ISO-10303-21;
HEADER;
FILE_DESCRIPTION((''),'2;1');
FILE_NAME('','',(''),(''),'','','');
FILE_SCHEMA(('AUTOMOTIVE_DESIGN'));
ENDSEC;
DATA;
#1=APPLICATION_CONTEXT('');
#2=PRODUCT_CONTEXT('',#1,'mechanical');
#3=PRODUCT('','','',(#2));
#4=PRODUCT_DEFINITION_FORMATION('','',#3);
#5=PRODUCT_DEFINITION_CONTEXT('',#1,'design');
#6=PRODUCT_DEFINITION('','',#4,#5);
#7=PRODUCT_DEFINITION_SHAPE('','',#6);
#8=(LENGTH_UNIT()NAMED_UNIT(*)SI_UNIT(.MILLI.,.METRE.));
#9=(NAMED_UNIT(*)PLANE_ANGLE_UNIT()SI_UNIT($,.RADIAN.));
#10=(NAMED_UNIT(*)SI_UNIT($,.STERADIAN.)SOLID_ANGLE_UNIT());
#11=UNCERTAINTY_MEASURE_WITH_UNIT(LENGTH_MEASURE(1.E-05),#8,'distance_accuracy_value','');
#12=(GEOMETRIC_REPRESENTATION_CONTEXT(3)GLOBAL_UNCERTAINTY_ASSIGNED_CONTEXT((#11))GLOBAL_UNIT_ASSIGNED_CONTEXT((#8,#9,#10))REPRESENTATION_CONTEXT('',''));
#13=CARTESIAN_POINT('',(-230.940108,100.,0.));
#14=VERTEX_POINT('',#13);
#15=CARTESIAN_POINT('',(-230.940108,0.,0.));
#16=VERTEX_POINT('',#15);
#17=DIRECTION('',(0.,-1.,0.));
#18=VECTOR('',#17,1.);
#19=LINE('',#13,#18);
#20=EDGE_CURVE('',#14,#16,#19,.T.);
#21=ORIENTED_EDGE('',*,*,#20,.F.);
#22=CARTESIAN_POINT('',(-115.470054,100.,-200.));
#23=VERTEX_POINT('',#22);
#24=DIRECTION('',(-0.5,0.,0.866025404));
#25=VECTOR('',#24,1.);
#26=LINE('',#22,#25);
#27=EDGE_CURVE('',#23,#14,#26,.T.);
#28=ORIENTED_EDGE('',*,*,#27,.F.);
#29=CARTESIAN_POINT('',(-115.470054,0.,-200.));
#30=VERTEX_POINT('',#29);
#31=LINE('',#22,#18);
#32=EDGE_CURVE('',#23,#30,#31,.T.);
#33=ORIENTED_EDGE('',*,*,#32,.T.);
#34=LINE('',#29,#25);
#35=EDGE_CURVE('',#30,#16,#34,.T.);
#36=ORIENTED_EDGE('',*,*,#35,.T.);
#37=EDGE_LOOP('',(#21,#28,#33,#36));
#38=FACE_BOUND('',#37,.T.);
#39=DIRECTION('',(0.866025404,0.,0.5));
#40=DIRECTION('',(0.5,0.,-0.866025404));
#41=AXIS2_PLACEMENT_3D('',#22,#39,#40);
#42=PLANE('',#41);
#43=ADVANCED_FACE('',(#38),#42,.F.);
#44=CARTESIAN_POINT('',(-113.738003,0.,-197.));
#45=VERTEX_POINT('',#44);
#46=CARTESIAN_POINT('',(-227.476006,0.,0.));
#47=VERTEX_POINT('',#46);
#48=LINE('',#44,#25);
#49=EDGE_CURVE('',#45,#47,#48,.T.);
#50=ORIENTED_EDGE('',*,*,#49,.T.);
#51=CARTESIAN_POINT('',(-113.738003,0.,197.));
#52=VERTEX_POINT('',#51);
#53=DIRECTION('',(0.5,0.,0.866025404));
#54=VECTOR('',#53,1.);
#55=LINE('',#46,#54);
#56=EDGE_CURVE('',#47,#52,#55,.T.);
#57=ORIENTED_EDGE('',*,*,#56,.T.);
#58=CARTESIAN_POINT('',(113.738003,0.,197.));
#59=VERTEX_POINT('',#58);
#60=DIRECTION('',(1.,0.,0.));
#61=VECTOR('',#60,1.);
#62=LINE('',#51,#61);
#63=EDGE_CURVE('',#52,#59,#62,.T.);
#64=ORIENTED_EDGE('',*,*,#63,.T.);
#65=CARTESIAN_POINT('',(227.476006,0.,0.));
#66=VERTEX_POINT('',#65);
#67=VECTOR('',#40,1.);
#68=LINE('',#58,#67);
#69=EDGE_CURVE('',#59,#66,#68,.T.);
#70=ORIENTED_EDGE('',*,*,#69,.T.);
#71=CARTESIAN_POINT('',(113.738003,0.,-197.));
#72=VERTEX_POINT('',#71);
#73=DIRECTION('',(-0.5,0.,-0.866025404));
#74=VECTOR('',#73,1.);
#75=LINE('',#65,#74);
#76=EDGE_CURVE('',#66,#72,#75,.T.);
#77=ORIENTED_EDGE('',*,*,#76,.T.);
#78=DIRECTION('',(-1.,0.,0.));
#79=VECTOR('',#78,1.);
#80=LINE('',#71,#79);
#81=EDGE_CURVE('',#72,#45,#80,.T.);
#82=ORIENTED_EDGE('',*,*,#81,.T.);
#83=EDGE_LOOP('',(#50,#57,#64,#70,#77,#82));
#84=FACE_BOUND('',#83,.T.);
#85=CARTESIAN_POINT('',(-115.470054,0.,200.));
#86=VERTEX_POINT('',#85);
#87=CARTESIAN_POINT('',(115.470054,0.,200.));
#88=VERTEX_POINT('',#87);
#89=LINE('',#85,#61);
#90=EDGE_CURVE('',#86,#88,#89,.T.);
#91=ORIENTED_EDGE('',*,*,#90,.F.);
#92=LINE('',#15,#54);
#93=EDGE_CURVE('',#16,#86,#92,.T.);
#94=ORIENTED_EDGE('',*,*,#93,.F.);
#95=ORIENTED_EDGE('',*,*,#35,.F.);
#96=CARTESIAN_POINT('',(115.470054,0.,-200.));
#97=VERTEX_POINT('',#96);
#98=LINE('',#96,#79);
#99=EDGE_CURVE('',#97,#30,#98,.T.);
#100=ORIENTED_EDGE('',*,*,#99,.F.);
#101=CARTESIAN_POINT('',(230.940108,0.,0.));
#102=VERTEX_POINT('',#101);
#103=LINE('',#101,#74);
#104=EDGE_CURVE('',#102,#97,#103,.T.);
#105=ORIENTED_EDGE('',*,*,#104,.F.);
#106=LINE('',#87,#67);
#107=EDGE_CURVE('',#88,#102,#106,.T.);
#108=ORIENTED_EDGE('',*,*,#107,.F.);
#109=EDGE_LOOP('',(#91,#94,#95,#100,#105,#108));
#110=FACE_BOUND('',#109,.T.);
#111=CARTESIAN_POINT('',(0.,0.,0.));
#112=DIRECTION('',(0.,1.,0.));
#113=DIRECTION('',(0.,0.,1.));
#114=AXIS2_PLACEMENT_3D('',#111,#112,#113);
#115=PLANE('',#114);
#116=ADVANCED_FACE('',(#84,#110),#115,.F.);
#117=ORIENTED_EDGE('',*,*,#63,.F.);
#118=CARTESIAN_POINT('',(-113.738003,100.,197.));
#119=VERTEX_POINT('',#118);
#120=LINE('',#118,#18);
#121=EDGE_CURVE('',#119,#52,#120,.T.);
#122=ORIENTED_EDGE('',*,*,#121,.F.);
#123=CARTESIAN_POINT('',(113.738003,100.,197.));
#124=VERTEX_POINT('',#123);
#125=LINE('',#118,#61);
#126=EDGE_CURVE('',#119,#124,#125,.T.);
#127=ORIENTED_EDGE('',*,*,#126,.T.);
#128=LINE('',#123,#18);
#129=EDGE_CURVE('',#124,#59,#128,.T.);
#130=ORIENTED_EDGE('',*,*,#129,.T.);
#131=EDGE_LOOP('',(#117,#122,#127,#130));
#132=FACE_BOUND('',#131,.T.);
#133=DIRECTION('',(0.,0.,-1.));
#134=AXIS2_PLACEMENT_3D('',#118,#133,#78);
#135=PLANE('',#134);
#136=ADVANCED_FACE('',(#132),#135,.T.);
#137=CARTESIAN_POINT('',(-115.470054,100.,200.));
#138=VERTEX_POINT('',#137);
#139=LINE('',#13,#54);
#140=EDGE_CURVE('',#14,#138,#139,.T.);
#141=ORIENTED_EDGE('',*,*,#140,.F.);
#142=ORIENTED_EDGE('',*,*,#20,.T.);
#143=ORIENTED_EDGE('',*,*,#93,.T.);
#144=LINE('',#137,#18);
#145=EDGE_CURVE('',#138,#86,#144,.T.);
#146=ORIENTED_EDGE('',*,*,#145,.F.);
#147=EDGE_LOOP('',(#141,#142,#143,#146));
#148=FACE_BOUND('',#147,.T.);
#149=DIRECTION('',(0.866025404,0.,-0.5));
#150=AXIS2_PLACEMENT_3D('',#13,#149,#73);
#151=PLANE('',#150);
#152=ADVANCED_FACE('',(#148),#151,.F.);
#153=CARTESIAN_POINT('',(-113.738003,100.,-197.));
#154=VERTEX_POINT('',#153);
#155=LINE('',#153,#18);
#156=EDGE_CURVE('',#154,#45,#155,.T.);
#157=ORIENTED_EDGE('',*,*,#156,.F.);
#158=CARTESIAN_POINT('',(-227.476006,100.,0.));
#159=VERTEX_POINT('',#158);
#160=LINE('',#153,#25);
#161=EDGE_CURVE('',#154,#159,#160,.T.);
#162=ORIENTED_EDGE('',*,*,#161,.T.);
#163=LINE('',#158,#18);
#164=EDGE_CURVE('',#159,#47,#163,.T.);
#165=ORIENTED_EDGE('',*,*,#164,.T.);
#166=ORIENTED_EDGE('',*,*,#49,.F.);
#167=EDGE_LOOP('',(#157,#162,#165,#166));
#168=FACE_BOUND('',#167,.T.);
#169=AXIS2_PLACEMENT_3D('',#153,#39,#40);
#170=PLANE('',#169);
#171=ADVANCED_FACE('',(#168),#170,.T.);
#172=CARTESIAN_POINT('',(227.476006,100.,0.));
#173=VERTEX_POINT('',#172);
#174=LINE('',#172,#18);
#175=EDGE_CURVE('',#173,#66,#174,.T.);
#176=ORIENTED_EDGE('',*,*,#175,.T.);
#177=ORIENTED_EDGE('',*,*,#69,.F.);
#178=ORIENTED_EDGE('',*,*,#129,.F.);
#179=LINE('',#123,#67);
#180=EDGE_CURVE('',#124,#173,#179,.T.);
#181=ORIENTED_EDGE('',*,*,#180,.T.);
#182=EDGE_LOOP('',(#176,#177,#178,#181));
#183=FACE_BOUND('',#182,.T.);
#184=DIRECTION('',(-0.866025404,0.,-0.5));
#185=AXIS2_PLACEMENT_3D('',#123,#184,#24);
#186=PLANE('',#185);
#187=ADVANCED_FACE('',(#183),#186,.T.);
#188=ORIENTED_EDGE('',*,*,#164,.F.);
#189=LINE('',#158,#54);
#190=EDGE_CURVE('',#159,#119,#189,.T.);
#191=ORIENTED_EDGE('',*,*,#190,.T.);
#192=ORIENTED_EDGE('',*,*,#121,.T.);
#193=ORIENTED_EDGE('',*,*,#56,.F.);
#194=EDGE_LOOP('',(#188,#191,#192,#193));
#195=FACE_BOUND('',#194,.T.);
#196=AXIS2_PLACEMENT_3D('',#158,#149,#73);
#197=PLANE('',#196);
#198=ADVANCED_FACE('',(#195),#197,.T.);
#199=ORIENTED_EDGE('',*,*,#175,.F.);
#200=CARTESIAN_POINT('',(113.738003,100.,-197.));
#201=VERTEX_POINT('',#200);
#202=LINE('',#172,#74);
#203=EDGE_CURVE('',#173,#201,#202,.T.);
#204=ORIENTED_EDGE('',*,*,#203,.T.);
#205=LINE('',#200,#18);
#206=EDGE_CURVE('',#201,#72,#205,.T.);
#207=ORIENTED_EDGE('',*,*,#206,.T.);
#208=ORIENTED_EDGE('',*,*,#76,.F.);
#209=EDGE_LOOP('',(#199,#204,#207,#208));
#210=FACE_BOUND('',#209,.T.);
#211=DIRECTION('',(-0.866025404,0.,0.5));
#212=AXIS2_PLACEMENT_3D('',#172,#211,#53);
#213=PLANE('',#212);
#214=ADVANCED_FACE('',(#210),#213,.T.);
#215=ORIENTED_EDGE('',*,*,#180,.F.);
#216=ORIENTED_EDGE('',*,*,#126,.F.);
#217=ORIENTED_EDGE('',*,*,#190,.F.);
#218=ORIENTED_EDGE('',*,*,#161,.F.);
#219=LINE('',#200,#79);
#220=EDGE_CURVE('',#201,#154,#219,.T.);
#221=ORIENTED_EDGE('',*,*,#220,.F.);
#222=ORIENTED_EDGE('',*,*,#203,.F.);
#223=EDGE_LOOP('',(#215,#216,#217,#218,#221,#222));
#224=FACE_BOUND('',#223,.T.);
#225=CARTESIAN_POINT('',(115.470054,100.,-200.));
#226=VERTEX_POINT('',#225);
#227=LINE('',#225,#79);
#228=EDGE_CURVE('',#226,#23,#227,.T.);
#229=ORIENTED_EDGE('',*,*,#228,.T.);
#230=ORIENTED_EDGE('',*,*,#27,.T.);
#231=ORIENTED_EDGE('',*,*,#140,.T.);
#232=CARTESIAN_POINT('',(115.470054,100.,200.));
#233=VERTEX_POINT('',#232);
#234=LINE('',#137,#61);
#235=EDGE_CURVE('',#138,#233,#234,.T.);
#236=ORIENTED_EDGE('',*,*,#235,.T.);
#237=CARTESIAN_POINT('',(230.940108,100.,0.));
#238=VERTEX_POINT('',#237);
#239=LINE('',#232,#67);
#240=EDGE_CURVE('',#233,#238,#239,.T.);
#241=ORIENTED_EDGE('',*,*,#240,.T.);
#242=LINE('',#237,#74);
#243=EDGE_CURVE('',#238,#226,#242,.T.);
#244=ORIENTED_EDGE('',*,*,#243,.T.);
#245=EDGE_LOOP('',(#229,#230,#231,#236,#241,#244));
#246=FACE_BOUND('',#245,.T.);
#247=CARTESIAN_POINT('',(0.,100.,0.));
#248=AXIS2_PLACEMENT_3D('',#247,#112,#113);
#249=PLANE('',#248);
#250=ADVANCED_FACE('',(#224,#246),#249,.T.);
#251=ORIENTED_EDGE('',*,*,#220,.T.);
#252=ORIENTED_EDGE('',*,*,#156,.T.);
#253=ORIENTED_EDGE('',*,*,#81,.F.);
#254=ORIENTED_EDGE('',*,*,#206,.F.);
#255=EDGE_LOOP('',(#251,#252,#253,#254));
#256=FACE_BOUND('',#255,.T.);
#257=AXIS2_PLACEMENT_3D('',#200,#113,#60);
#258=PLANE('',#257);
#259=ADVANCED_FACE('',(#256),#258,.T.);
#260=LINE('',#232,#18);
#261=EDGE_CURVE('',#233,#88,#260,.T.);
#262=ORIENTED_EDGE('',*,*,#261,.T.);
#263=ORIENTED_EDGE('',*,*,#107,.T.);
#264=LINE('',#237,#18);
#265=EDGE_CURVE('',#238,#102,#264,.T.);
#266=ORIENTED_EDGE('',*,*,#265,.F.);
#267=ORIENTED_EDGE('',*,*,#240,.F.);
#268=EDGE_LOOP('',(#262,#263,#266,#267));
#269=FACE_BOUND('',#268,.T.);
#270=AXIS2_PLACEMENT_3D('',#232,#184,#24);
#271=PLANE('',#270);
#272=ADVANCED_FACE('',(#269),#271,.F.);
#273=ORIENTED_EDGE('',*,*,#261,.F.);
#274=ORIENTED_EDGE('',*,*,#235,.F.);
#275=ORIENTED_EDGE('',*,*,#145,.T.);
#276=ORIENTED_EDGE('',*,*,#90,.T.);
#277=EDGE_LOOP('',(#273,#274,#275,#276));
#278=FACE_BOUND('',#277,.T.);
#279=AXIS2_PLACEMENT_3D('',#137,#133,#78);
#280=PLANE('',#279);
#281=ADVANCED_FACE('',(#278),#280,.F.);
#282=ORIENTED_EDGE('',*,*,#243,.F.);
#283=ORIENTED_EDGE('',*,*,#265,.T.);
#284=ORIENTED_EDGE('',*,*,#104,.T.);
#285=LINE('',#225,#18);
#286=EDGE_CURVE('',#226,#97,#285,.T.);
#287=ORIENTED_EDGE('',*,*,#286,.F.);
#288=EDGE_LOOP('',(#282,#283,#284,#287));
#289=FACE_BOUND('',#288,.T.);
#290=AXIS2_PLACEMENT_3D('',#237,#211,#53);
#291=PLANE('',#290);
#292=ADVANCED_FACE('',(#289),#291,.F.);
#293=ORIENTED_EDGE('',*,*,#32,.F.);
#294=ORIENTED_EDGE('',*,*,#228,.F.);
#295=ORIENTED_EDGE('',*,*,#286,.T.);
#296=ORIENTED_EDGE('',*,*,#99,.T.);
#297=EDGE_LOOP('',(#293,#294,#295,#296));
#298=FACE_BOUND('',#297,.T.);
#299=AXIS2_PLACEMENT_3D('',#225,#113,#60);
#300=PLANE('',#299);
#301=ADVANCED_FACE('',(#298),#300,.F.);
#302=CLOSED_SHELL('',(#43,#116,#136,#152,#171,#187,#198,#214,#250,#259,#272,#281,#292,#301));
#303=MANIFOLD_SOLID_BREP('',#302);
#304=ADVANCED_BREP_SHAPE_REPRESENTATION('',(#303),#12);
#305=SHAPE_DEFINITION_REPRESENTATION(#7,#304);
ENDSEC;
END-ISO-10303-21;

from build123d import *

# Parameters (mm, degrees)
SALIENTE_EXTRUIR1_DEPTH = 100


with BuildPart() as part:
    # Croquis1 → Saliente-Extruir1 (new body)
    with BuildSketch(Plane(origin=(0, 0, 0), x_dir=(1, 0, 0), z_dir=(0, 1, 0))):
        Polygon((-115.470053838, -200), (115.470053838, -200), (230.940107676, 0), (115.470053838, 200), (-115.470053838, 200), (-230.940107676, 0), align=None)
        Polygon((113.73800303, -197), (227.476006061, 0), (113.73800303, 197), (-113.73800303, 197), (-227.476006061, 0), (-113.73800303, -197), align=None, mode=Mode.SUBTRACT)
    extrude(amount=SALIENTE_EXTRUIR1_DEPTH)


solid = part.part
